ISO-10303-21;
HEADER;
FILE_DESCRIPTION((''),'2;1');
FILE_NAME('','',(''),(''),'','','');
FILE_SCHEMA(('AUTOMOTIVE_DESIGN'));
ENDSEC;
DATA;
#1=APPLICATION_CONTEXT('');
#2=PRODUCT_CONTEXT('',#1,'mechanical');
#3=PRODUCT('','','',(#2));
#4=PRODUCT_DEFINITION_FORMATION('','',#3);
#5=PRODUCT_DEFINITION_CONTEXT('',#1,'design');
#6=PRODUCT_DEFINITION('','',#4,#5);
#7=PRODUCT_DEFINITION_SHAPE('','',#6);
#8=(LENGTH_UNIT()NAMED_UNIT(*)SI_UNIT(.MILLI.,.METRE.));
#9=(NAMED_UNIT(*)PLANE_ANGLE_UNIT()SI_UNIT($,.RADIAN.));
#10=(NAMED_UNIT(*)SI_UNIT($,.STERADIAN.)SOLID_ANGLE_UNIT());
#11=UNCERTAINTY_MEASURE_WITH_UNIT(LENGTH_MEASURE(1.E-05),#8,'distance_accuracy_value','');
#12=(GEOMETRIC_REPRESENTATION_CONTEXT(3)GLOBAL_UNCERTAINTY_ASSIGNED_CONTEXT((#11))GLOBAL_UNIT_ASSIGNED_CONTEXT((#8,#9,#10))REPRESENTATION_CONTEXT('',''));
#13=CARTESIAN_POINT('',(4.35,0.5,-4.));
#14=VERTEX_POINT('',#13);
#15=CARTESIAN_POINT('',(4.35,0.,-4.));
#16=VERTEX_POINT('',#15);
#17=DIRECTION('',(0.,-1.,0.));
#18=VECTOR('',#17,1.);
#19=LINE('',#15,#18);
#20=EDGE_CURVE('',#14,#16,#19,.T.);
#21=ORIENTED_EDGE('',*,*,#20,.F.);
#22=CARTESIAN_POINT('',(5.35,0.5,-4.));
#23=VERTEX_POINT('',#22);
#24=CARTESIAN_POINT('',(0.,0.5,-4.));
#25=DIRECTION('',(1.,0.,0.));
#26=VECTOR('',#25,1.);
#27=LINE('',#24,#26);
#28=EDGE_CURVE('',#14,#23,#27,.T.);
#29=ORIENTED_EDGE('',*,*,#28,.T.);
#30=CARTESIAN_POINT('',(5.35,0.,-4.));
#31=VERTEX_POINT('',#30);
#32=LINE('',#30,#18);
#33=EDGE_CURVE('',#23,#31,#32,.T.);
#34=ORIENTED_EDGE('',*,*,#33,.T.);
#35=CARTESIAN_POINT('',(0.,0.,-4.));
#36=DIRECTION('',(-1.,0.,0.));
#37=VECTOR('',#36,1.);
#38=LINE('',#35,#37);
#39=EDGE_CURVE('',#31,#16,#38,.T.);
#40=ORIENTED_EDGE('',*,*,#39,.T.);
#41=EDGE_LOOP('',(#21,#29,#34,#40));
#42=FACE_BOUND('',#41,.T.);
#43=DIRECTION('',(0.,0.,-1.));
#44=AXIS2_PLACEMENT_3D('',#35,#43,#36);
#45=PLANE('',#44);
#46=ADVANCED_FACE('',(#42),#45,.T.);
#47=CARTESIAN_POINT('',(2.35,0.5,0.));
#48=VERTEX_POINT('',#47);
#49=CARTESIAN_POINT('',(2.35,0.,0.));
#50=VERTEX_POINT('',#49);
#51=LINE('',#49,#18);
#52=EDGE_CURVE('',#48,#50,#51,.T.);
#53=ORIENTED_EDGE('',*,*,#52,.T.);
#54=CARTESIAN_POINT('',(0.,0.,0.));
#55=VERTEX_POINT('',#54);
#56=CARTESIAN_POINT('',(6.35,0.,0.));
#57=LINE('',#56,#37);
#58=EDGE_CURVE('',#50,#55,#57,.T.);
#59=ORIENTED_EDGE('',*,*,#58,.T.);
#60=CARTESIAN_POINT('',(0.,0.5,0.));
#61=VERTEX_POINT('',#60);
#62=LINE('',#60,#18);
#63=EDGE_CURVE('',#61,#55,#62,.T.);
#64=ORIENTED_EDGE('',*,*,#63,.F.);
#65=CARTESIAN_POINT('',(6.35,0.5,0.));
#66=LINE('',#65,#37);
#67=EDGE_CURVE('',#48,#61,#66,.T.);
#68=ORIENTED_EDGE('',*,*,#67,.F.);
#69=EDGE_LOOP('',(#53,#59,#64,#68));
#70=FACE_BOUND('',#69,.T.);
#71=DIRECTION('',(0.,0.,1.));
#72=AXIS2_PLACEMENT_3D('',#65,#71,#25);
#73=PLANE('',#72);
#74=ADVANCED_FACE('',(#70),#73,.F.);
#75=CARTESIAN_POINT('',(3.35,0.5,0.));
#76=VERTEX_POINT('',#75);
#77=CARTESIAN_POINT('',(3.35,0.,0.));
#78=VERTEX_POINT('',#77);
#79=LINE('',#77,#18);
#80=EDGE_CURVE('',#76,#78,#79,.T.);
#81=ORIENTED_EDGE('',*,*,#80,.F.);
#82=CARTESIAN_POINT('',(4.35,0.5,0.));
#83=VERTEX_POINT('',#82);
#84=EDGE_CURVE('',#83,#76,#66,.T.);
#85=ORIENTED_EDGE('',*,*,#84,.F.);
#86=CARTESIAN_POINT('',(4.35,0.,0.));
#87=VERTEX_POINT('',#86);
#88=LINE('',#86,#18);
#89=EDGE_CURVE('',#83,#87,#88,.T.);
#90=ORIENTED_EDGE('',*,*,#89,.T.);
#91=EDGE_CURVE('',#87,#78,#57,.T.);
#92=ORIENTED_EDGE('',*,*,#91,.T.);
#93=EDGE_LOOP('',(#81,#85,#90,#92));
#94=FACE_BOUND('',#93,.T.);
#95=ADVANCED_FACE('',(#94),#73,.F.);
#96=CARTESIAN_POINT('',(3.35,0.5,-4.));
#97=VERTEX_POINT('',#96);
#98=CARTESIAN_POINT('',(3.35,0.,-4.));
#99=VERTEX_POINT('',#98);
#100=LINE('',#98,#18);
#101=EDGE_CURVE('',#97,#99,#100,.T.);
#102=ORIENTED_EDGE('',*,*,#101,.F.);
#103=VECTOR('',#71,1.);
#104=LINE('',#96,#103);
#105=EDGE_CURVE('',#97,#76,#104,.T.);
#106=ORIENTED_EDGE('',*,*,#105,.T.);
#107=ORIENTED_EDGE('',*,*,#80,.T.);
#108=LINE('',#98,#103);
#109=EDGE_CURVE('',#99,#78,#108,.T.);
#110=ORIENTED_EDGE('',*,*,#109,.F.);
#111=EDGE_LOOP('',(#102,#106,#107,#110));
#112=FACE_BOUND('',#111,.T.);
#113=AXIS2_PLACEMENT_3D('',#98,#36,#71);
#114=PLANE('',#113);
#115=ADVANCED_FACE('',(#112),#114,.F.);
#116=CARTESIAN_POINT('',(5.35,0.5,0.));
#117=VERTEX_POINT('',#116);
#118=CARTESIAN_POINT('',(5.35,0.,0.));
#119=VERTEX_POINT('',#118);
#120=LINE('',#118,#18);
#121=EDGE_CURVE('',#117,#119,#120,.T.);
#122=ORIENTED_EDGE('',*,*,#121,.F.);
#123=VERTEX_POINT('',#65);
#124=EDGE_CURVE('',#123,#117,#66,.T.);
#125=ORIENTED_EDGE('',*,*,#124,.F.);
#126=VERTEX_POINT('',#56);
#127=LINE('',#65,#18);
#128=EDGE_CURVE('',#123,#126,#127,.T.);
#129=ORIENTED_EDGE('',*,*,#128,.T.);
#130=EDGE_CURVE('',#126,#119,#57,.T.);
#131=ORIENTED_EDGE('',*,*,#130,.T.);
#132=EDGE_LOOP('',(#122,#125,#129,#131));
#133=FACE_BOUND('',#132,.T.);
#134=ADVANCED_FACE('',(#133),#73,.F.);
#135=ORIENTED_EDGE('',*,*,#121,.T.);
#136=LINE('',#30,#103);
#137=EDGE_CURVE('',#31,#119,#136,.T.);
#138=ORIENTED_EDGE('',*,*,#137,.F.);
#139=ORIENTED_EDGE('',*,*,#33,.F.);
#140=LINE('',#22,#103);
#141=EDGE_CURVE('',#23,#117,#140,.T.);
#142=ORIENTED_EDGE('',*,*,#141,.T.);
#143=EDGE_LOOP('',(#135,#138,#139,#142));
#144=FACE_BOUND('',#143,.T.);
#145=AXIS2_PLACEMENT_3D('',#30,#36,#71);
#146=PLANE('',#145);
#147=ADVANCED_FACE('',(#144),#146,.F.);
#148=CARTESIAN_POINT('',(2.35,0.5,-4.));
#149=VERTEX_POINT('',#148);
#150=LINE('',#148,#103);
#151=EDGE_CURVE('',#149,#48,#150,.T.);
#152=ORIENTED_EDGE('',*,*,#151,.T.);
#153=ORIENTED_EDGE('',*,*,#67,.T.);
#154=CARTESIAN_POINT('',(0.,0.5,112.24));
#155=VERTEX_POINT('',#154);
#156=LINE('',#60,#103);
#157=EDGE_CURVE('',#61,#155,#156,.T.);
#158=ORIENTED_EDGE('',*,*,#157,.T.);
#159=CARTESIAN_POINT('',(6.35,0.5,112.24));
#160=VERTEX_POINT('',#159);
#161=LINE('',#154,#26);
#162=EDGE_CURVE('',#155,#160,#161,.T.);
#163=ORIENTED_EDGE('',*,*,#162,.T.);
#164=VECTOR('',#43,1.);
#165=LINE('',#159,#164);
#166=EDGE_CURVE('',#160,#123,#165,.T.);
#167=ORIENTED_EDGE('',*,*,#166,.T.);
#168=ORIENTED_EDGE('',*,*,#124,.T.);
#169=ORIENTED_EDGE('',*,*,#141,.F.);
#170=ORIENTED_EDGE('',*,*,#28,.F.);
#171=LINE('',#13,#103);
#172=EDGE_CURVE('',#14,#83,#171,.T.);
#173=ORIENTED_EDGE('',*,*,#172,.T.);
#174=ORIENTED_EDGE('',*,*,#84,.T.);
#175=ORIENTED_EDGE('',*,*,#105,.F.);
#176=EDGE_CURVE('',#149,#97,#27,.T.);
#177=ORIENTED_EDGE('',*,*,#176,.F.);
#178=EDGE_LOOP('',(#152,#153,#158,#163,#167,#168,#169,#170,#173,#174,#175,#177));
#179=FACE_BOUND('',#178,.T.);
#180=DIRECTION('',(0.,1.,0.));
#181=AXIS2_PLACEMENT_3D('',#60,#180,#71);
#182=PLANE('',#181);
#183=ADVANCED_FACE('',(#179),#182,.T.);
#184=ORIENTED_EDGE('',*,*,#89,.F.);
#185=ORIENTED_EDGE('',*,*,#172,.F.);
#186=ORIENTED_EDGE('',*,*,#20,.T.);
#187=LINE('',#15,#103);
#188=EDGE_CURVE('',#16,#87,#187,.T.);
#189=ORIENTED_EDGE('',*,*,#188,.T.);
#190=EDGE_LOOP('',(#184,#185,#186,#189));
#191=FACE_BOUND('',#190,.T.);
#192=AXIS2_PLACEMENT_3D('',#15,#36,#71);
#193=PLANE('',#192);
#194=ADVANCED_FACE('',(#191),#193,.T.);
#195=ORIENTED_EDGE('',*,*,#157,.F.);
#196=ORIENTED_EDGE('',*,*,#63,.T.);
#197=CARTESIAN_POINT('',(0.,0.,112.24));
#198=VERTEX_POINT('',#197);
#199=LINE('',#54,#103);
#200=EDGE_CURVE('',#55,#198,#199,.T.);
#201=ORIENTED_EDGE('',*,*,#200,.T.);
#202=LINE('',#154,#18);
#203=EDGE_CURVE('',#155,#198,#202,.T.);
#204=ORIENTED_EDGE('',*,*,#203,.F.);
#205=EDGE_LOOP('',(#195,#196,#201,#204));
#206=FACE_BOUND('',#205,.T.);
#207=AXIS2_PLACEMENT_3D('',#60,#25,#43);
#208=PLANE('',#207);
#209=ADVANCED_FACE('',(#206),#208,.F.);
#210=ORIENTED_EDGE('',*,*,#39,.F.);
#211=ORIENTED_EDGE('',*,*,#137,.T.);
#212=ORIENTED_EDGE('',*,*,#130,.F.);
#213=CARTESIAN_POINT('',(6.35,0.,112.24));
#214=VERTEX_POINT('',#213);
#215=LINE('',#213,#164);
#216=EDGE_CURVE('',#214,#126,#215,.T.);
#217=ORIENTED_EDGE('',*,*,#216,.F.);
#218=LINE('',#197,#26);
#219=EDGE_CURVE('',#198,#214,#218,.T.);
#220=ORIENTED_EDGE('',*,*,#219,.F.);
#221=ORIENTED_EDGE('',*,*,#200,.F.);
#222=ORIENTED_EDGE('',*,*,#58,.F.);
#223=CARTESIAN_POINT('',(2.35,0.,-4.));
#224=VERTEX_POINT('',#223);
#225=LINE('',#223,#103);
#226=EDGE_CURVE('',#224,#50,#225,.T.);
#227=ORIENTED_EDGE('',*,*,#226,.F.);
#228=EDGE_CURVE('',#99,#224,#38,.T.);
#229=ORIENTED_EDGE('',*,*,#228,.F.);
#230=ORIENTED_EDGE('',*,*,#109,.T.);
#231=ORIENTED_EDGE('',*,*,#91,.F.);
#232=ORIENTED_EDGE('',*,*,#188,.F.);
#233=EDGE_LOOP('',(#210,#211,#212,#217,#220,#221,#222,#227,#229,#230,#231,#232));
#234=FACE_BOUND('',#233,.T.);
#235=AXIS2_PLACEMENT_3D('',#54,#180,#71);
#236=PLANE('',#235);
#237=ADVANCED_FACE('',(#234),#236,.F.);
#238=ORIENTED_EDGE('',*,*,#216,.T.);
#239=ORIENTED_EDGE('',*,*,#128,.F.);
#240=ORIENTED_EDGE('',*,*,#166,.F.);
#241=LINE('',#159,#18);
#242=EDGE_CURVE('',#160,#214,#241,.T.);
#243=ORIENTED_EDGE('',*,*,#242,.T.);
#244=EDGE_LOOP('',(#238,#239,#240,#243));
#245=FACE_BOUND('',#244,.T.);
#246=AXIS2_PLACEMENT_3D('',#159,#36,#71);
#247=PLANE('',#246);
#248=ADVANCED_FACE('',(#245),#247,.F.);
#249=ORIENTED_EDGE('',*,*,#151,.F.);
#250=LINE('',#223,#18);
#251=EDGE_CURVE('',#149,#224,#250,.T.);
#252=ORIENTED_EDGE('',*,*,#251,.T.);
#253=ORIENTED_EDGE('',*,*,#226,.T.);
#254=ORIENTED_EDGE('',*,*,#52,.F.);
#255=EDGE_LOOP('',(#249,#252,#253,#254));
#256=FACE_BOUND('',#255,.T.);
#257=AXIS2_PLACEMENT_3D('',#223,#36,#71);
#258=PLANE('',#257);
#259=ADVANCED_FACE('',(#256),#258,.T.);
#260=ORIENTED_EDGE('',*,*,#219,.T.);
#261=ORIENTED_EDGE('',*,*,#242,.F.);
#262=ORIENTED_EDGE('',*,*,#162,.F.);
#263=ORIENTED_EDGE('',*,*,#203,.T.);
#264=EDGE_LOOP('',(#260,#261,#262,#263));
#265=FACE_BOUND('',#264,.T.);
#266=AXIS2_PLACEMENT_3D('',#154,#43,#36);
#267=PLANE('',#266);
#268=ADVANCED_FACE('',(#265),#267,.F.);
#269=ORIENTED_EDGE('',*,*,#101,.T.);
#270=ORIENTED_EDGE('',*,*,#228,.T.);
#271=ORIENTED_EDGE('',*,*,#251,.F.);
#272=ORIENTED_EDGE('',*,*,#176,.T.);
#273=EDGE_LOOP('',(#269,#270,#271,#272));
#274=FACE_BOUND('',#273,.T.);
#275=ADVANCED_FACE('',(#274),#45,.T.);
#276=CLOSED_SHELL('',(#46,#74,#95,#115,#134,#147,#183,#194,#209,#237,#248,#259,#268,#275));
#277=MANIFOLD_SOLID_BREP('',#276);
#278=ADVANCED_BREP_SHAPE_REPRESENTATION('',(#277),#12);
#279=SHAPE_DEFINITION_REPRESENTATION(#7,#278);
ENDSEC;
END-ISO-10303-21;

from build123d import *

# Parameters (mm, degrees)
SKETCH1_W           = 6.35
SKETCH1_H           = 112.24
BOSS_EXTRUDE1_DEPTH = 0.5
BOSS_EXTRUDE2_DEPTH = 4


with BuildPart() as part:
    # Sketch1 → Boss-Extrude1 (new body)
    with BuildSketch(Plane(origin=(0, 0, 0), x_dir=(1, 0, 0), z_dir=(0, 1, 0))):
        with Locations((3.175, -56.12)):
            Rectangle(SKETCH1_W, SKETCH1_H)
    extrude(amount=BOSS_EXTRUDE1_DEPTH)

    # Sketch2 → Boss-Extrude2 (add)
    with BuildSketch(Plane(origin=(0, 0, 0), x_dir=(-1, 0, 0), z_dir=(0, 0, -1))):
        Polygon((-2.35, 0.5), (-3.35, 0.5), (-3.35, 0.25), (-3.35, 0), (-2.35, 0), align=None)
        Polygon((-4.35, 0.5), (-5.35, 0.5), (-5.35, 0), (-4.35, 0), (-4.35, 0.25), align=None)
    extrude(amount=BOSS_EXTRUDE2_DEPTH)


solid = part.part
